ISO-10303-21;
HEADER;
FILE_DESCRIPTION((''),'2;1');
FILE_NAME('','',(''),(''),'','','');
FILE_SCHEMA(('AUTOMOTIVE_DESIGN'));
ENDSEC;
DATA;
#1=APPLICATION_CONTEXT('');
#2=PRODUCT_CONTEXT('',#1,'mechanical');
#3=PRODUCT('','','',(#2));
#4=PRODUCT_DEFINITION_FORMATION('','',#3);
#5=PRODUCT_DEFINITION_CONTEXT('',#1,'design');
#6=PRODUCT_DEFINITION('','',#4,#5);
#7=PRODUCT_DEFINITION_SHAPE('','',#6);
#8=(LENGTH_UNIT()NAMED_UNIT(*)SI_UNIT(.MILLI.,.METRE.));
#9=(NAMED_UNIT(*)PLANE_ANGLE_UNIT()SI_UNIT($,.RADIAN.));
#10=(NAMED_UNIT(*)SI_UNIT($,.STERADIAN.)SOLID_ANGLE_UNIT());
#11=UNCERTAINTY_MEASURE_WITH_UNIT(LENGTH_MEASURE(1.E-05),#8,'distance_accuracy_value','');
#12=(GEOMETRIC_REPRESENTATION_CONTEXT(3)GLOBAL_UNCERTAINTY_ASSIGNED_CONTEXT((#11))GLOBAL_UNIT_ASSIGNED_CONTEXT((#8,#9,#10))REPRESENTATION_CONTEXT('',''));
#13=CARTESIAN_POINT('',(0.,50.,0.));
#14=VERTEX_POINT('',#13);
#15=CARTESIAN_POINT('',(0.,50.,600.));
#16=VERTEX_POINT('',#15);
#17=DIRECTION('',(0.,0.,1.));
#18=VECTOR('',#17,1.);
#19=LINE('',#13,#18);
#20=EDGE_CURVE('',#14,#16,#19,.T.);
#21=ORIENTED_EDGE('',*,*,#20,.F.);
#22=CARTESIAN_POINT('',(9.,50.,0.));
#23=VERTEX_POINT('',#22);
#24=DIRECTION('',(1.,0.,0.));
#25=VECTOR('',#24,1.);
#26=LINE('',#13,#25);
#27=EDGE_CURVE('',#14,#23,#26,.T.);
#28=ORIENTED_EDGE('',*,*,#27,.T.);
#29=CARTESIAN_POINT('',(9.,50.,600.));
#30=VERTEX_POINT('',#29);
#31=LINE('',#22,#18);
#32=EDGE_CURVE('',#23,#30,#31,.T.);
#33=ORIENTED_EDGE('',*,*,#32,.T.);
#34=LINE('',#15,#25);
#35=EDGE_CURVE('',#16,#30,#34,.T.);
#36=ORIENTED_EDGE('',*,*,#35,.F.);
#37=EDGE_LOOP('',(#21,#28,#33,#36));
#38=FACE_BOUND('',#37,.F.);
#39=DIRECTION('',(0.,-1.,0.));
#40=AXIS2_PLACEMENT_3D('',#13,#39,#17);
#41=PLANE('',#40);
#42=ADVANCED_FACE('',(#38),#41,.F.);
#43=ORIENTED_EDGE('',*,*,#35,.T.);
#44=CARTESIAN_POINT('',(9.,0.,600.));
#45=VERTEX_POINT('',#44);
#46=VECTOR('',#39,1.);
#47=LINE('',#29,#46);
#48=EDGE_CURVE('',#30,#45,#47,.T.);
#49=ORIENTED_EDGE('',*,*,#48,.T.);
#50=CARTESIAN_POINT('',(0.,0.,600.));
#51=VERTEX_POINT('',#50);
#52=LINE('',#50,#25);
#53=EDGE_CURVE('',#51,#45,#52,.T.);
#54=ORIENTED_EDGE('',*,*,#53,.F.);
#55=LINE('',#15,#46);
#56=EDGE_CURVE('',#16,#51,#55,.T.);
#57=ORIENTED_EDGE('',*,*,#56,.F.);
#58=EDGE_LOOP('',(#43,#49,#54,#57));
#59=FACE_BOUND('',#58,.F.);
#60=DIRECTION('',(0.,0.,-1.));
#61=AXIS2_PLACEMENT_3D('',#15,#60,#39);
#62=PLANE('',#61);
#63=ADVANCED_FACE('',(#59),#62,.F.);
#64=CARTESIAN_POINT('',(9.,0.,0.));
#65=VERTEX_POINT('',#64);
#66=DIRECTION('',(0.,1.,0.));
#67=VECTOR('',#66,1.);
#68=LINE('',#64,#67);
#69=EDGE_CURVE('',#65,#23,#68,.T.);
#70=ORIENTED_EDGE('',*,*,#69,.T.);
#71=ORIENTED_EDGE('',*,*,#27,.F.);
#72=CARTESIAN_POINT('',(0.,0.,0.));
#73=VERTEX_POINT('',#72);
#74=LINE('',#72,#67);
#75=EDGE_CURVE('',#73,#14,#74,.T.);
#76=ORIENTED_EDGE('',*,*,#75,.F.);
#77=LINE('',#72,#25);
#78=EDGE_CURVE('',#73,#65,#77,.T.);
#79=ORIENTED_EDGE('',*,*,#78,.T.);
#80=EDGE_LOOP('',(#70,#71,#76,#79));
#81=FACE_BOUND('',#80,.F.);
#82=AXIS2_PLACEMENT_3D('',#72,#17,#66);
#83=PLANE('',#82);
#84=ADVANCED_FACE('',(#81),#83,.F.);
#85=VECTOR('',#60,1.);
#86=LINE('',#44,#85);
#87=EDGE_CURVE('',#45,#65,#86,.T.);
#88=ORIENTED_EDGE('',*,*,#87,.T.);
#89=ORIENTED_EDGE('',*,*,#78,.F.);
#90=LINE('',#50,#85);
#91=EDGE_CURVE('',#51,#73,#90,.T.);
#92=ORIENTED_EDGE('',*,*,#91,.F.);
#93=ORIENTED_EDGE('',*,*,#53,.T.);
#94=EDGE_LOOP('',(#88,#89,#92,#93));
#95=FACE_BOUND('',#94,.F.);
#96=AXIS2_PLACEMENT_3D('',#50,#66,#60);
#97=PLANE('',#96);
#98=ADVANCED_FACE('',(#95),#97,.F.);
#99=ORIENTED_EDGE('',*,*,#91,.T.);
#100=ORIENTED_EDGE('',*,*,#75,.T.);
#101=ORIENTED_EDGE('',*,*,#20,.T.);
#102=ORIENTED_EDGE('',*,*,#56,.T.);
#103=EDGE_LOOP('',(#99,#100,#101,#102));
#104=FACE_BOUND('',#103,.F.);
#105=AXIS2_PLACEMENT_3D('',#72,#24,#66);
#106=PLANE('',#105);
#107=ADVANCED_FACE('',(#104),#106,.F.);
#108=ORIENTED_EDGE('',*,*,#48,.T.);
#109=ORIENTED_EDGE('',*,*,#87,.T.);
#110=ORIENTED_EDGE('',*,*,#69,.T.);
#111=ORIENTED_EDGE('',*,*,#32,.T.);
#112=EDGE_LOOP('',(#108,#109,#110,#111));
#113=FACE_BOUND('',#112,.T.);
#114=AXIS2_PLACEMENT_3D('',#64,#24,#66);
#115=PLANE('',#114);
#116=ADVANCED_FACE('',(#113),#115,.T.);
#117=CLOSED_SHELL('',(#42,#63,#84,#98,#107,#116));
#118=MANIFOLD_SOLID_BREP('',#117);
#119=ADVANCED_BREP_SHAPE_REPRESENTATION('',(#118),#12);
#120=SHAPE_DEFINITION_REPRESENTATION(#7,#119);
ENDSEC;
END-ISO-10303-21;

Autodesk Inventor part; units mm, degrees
ref_plane "YZ Plane" through (0, 0, 0) normal (1, 0, 0) x (0, 1, 0)
ref_plane "XZ Plane" through (0, 0, 0) normal (0, 1, 0) x (-1, 0, 0)
ref_plane "XY Plane" through (0, 0, 0) normal (0, 0, 1) x (1, 0, 0)
sketch "Sketch1" plane through (0, 0, 0) normal (1, 0, 0) x (0, 1, 0)
  line L0 (0, 0) -> (50, 0)
  line L1 (50, 0) -> (50, 600)
  line L2 (50, 600) -> (0, 600)
  line L3 (0, 600) -> (0, 0)
  dimension "d0" = 50
  dimension "d1" = 600
extrude "Extrusion1" add sketch "Sketch1" along normal blind 9
properties part number "leg"
